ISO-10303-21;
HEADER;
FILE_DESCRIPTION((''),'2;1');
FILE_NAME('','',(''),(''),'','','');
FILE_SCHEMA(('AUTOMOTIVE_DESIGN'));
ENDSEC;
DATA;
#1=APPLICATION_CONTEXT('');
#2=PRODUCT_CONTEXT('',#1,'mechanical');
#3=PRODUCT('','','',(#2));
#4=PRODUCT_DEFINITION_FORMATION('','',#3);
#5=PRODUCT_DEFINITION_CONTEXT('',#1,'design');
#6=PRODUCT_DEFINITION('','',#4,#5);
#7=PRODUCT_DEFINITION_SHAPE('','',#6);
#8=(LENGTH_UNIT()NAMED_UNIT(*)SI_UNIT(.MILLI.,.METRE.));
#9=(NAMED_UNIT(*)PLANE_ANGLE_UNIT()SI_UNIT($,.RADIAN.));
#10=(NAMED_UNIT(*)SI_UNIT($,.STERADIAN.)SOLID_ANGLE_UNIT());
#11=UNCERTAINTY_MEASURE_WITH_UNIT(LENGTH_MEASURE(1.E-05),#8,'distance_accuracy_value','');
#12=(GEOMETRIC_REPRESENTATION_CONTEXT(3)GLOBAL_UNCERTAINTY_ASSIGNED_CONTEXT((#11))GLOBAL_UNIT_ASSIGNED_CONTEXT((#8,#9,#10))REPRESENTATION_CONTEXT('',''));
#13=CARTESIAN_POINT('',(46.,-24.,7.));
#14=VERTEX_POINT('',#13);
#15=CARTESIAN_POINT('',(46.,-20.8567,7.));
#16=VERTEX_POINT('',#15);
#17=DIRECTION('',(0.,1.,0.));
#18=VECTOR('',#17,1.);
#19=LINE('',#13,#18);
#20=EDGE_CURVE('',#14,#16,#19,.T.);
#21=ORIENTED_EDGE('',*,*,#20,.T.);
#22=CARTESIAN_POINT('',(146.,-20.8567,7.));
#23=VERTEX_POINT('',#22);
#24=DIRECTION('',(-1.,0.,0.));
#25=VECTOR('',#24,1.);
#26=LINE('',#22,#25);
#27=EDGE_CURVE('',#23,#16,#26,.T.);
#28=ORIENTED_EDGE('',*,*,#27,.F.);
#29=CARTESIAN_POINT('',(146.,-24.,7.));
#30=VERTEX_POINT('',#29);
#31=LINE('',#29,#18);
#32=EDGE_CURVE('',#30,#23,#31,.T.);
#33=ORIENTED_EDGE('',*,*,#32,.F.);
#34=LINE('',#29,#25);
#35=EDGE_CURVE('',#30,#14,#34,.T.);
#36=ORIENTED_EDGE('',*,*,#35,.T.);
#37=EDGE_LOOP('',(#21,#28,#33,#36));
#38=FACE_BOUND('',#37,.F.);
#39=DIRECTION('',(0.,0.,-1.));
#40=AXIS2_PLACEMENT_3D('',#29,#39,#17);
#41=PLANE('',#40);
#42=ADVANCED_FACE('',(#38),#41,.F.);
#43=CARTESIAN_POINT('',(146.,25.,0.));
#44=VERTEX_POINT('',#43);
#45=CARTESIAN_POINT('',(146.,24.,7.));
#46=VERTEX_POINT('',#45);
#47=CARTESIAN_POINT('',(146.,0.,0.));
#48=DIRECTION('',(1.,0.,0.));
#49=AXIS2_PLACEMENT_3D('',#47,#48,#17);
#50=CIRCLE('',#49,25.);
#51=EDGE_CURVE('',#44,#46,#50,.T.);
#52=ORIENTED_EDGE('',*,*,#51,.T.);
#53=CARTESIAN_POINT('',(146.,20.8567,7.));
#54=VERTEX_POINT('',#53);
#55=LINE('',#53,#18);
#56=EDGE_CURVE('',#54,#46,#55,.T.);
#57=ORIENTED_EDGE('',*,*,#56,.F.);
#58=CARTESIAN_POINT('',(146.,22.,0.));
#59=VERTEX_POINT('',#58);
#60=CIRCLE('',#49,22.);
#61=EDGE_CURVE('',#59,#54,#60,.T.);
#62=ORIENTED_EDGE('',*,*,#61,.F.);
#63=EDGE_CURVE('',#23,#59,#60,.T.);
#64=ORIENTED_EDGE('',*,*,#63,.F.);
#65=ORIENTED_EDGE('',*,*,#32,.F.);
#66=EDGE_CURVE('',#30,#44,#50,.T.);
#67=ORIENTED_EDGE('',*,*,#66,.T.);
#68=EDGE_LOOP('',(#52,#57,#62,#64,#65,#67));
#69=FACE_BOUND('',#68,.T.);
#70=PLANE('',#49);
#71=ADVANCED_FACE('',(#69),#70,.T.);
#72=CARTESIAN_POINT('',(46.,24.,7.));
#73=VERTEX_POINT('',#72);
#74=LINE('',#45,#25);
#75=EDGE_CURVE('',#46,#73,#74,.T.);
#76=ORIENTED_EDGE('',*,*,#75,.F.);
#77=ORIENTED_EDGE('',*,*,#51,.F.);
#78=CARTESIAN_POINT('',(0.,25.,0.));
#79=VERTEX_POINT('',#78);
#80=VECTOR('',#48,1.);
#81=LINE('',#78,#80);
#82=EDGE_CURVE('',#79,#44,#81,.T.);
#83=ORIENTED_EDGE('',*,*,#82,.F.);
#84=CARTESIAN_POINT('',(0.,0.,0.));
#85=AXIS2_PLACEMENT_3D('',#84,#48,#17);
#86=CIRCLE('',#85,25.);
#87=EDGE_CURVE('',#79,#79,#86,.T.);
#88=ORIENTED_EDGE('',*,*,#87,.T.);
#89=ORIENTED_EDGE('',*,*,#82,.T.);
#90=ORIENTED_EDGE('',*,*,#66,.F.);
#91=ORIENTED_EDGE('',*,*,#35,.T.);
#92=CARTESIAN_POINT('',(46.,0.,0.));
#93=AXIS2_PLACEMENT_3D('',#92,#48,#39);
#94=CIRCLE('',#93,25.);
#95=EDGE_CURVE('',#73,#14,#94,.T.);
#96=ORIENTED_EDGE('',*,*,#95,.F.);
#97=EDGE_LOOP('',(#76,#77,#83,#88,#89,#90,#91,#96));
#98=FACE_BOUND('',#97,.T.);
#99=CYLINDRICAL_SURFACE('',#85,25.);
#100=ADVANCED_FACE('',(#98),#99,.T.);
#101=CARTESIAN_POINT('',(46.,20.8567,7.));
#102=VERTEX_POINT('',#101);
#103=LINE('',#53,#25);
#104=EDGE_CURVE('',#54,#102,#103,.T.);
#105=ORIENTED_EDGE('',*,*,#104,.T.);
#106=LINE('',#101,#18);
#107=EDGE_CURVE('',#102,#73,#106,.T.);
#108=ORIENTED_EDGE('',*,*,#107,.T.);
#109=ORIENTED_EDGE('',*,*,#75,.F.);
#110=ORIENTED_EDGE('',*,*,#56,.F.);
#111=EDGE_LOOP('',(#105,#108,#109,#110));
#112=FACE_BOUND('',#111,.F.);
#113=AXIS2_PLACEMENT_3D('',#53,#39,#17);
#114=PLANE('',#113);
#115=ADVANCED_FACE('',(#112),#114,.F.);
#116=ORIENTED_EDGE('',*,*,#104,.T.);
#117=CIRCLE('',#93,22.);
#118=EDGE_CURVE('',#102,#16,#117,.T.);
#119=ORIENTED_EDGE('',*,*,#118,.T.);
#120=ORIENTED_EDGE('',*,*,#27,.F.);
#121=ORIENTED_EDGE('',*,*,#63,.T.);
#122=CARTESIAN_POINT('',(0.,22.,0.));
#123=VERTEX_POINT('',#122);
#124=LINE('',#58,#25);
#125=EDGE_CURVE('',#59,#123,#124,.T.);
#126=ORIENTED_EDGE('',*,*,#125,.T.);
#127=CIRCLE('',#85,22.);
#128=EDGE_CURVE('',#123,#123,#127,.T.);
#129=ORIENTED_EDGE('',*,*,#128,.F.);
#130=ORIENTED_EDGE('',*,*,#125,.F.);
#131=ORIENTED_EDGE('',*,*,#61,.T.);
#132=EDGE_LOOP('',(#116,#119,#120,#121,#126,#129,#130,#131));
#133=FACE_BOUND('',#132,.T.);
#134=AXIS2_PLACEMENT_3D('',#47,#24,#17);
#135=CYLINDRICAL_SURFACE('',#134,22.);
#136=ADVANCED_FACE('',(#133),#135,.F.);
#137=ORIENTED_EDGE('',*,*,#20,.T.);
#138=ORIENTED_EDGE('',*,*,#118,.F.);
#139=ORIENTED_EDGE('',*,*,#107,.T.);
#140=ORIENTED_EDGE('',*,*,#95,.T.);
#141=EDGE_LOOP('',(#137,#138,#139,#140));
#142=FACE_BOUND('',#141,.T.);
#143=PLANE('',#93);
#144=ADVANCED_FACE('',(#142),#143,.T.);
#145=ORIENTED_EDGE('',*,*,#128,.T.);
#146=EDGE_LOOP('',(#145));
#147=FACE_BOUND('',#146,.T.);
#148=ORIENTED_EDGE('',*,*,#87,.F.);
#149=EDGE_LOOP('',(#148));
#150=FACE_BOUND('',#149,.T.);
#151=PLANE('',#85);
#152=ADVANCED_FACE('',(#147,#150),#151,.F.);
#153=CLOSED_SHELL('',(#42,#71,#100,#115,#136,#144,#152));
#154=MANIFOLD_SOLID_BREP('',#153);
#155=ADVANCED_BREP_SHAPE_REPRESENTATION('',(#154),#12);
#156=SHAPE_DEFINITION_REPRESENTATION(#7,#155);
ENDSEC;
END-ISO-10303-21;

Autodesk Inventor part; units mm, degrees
ref_plane "YZ Plane" through (0, 0, 0) normal (1, 0, 0) x (0, 1, 0)
ref_plane "XZ Plane" through (0, 0, 0) normal (0, 1, 0) x (-1, 0, 0)
ref_plane "XY Plane" through (0, 0, 0) normal (0, 0, 1) x (1, 0, 0)
sketch "Esquisse1" plane through (0, 0, 0) normal (0, 0, 1) x (1, 0, 0)
  line L0 (0, 25) -> (146, 25)
  line L1 (146, 25) -> (146, 22)
  line L2 (146, 22) -> (0, 22)
  line L3 (0, 22) -> (0, 25)
  line L4 (-10.0826, 0) -> (43.679, 0)
  line L5 (-41.2991, 0) -> (177.2165, 0) projected
  line L6 (0, -5) -> (0, 30) projected
  point P0 (0, 0)
  dimension "d0" = 3
  dimension "d1" = 50
  dimension "d2" = 146
revolve "Révolution1" add sketch "Esquisse1" angle 360 about axis through (-10.0826, 0, 0) along (1, 0, 0)
sketch "Esquisse5" plane through (146, 0, 0) normal (1, 0, 0) x (0, 0, -1)
  line L0 (-35, 0) -> (35, 0) construction
  circle A0 centre (0, 0) radius 22 construction
  circle A1 centre (0, 0) radius 25 construction
  line L1 (-25, -21.6089) -> (-25, 34.5668) construction
  line L2 (-22, -18.8661) -> (-22, 30.8732) construction
  line L3 (-7, -26.0436) -> (-7, 26.1117) construction
  arc A2 (0, 22) -> (0, 22) centre (0, 0) ccw projected
  arc A3 (-7, 20.8567) -> (-7, -20.8567) centre (0, 0) ccw
  arc A4 (0, 25) -> (0, 25) centre (0, 0) ccw projected
  arc A5 (0, 25) -> (0, 25) centre (0, 0) ccw projected
  arc A6 (-7, 24) -> (-7, -24) centre (0, 0) ccw
  line L4 (-7, -24) -> (-7, -20.8567)
  line L5 (-7, 20.8567) -> (-7, 24)
  dimension "d31" = 15
extrude "Extrusion5" cut sketch "Esquisse5" against normal blind 100 contours A2 L4 A4 L5 picked at (-22.7161, 2.7828)
properties part number "S1702_tubeexterne" material "Plastique PMMA"
